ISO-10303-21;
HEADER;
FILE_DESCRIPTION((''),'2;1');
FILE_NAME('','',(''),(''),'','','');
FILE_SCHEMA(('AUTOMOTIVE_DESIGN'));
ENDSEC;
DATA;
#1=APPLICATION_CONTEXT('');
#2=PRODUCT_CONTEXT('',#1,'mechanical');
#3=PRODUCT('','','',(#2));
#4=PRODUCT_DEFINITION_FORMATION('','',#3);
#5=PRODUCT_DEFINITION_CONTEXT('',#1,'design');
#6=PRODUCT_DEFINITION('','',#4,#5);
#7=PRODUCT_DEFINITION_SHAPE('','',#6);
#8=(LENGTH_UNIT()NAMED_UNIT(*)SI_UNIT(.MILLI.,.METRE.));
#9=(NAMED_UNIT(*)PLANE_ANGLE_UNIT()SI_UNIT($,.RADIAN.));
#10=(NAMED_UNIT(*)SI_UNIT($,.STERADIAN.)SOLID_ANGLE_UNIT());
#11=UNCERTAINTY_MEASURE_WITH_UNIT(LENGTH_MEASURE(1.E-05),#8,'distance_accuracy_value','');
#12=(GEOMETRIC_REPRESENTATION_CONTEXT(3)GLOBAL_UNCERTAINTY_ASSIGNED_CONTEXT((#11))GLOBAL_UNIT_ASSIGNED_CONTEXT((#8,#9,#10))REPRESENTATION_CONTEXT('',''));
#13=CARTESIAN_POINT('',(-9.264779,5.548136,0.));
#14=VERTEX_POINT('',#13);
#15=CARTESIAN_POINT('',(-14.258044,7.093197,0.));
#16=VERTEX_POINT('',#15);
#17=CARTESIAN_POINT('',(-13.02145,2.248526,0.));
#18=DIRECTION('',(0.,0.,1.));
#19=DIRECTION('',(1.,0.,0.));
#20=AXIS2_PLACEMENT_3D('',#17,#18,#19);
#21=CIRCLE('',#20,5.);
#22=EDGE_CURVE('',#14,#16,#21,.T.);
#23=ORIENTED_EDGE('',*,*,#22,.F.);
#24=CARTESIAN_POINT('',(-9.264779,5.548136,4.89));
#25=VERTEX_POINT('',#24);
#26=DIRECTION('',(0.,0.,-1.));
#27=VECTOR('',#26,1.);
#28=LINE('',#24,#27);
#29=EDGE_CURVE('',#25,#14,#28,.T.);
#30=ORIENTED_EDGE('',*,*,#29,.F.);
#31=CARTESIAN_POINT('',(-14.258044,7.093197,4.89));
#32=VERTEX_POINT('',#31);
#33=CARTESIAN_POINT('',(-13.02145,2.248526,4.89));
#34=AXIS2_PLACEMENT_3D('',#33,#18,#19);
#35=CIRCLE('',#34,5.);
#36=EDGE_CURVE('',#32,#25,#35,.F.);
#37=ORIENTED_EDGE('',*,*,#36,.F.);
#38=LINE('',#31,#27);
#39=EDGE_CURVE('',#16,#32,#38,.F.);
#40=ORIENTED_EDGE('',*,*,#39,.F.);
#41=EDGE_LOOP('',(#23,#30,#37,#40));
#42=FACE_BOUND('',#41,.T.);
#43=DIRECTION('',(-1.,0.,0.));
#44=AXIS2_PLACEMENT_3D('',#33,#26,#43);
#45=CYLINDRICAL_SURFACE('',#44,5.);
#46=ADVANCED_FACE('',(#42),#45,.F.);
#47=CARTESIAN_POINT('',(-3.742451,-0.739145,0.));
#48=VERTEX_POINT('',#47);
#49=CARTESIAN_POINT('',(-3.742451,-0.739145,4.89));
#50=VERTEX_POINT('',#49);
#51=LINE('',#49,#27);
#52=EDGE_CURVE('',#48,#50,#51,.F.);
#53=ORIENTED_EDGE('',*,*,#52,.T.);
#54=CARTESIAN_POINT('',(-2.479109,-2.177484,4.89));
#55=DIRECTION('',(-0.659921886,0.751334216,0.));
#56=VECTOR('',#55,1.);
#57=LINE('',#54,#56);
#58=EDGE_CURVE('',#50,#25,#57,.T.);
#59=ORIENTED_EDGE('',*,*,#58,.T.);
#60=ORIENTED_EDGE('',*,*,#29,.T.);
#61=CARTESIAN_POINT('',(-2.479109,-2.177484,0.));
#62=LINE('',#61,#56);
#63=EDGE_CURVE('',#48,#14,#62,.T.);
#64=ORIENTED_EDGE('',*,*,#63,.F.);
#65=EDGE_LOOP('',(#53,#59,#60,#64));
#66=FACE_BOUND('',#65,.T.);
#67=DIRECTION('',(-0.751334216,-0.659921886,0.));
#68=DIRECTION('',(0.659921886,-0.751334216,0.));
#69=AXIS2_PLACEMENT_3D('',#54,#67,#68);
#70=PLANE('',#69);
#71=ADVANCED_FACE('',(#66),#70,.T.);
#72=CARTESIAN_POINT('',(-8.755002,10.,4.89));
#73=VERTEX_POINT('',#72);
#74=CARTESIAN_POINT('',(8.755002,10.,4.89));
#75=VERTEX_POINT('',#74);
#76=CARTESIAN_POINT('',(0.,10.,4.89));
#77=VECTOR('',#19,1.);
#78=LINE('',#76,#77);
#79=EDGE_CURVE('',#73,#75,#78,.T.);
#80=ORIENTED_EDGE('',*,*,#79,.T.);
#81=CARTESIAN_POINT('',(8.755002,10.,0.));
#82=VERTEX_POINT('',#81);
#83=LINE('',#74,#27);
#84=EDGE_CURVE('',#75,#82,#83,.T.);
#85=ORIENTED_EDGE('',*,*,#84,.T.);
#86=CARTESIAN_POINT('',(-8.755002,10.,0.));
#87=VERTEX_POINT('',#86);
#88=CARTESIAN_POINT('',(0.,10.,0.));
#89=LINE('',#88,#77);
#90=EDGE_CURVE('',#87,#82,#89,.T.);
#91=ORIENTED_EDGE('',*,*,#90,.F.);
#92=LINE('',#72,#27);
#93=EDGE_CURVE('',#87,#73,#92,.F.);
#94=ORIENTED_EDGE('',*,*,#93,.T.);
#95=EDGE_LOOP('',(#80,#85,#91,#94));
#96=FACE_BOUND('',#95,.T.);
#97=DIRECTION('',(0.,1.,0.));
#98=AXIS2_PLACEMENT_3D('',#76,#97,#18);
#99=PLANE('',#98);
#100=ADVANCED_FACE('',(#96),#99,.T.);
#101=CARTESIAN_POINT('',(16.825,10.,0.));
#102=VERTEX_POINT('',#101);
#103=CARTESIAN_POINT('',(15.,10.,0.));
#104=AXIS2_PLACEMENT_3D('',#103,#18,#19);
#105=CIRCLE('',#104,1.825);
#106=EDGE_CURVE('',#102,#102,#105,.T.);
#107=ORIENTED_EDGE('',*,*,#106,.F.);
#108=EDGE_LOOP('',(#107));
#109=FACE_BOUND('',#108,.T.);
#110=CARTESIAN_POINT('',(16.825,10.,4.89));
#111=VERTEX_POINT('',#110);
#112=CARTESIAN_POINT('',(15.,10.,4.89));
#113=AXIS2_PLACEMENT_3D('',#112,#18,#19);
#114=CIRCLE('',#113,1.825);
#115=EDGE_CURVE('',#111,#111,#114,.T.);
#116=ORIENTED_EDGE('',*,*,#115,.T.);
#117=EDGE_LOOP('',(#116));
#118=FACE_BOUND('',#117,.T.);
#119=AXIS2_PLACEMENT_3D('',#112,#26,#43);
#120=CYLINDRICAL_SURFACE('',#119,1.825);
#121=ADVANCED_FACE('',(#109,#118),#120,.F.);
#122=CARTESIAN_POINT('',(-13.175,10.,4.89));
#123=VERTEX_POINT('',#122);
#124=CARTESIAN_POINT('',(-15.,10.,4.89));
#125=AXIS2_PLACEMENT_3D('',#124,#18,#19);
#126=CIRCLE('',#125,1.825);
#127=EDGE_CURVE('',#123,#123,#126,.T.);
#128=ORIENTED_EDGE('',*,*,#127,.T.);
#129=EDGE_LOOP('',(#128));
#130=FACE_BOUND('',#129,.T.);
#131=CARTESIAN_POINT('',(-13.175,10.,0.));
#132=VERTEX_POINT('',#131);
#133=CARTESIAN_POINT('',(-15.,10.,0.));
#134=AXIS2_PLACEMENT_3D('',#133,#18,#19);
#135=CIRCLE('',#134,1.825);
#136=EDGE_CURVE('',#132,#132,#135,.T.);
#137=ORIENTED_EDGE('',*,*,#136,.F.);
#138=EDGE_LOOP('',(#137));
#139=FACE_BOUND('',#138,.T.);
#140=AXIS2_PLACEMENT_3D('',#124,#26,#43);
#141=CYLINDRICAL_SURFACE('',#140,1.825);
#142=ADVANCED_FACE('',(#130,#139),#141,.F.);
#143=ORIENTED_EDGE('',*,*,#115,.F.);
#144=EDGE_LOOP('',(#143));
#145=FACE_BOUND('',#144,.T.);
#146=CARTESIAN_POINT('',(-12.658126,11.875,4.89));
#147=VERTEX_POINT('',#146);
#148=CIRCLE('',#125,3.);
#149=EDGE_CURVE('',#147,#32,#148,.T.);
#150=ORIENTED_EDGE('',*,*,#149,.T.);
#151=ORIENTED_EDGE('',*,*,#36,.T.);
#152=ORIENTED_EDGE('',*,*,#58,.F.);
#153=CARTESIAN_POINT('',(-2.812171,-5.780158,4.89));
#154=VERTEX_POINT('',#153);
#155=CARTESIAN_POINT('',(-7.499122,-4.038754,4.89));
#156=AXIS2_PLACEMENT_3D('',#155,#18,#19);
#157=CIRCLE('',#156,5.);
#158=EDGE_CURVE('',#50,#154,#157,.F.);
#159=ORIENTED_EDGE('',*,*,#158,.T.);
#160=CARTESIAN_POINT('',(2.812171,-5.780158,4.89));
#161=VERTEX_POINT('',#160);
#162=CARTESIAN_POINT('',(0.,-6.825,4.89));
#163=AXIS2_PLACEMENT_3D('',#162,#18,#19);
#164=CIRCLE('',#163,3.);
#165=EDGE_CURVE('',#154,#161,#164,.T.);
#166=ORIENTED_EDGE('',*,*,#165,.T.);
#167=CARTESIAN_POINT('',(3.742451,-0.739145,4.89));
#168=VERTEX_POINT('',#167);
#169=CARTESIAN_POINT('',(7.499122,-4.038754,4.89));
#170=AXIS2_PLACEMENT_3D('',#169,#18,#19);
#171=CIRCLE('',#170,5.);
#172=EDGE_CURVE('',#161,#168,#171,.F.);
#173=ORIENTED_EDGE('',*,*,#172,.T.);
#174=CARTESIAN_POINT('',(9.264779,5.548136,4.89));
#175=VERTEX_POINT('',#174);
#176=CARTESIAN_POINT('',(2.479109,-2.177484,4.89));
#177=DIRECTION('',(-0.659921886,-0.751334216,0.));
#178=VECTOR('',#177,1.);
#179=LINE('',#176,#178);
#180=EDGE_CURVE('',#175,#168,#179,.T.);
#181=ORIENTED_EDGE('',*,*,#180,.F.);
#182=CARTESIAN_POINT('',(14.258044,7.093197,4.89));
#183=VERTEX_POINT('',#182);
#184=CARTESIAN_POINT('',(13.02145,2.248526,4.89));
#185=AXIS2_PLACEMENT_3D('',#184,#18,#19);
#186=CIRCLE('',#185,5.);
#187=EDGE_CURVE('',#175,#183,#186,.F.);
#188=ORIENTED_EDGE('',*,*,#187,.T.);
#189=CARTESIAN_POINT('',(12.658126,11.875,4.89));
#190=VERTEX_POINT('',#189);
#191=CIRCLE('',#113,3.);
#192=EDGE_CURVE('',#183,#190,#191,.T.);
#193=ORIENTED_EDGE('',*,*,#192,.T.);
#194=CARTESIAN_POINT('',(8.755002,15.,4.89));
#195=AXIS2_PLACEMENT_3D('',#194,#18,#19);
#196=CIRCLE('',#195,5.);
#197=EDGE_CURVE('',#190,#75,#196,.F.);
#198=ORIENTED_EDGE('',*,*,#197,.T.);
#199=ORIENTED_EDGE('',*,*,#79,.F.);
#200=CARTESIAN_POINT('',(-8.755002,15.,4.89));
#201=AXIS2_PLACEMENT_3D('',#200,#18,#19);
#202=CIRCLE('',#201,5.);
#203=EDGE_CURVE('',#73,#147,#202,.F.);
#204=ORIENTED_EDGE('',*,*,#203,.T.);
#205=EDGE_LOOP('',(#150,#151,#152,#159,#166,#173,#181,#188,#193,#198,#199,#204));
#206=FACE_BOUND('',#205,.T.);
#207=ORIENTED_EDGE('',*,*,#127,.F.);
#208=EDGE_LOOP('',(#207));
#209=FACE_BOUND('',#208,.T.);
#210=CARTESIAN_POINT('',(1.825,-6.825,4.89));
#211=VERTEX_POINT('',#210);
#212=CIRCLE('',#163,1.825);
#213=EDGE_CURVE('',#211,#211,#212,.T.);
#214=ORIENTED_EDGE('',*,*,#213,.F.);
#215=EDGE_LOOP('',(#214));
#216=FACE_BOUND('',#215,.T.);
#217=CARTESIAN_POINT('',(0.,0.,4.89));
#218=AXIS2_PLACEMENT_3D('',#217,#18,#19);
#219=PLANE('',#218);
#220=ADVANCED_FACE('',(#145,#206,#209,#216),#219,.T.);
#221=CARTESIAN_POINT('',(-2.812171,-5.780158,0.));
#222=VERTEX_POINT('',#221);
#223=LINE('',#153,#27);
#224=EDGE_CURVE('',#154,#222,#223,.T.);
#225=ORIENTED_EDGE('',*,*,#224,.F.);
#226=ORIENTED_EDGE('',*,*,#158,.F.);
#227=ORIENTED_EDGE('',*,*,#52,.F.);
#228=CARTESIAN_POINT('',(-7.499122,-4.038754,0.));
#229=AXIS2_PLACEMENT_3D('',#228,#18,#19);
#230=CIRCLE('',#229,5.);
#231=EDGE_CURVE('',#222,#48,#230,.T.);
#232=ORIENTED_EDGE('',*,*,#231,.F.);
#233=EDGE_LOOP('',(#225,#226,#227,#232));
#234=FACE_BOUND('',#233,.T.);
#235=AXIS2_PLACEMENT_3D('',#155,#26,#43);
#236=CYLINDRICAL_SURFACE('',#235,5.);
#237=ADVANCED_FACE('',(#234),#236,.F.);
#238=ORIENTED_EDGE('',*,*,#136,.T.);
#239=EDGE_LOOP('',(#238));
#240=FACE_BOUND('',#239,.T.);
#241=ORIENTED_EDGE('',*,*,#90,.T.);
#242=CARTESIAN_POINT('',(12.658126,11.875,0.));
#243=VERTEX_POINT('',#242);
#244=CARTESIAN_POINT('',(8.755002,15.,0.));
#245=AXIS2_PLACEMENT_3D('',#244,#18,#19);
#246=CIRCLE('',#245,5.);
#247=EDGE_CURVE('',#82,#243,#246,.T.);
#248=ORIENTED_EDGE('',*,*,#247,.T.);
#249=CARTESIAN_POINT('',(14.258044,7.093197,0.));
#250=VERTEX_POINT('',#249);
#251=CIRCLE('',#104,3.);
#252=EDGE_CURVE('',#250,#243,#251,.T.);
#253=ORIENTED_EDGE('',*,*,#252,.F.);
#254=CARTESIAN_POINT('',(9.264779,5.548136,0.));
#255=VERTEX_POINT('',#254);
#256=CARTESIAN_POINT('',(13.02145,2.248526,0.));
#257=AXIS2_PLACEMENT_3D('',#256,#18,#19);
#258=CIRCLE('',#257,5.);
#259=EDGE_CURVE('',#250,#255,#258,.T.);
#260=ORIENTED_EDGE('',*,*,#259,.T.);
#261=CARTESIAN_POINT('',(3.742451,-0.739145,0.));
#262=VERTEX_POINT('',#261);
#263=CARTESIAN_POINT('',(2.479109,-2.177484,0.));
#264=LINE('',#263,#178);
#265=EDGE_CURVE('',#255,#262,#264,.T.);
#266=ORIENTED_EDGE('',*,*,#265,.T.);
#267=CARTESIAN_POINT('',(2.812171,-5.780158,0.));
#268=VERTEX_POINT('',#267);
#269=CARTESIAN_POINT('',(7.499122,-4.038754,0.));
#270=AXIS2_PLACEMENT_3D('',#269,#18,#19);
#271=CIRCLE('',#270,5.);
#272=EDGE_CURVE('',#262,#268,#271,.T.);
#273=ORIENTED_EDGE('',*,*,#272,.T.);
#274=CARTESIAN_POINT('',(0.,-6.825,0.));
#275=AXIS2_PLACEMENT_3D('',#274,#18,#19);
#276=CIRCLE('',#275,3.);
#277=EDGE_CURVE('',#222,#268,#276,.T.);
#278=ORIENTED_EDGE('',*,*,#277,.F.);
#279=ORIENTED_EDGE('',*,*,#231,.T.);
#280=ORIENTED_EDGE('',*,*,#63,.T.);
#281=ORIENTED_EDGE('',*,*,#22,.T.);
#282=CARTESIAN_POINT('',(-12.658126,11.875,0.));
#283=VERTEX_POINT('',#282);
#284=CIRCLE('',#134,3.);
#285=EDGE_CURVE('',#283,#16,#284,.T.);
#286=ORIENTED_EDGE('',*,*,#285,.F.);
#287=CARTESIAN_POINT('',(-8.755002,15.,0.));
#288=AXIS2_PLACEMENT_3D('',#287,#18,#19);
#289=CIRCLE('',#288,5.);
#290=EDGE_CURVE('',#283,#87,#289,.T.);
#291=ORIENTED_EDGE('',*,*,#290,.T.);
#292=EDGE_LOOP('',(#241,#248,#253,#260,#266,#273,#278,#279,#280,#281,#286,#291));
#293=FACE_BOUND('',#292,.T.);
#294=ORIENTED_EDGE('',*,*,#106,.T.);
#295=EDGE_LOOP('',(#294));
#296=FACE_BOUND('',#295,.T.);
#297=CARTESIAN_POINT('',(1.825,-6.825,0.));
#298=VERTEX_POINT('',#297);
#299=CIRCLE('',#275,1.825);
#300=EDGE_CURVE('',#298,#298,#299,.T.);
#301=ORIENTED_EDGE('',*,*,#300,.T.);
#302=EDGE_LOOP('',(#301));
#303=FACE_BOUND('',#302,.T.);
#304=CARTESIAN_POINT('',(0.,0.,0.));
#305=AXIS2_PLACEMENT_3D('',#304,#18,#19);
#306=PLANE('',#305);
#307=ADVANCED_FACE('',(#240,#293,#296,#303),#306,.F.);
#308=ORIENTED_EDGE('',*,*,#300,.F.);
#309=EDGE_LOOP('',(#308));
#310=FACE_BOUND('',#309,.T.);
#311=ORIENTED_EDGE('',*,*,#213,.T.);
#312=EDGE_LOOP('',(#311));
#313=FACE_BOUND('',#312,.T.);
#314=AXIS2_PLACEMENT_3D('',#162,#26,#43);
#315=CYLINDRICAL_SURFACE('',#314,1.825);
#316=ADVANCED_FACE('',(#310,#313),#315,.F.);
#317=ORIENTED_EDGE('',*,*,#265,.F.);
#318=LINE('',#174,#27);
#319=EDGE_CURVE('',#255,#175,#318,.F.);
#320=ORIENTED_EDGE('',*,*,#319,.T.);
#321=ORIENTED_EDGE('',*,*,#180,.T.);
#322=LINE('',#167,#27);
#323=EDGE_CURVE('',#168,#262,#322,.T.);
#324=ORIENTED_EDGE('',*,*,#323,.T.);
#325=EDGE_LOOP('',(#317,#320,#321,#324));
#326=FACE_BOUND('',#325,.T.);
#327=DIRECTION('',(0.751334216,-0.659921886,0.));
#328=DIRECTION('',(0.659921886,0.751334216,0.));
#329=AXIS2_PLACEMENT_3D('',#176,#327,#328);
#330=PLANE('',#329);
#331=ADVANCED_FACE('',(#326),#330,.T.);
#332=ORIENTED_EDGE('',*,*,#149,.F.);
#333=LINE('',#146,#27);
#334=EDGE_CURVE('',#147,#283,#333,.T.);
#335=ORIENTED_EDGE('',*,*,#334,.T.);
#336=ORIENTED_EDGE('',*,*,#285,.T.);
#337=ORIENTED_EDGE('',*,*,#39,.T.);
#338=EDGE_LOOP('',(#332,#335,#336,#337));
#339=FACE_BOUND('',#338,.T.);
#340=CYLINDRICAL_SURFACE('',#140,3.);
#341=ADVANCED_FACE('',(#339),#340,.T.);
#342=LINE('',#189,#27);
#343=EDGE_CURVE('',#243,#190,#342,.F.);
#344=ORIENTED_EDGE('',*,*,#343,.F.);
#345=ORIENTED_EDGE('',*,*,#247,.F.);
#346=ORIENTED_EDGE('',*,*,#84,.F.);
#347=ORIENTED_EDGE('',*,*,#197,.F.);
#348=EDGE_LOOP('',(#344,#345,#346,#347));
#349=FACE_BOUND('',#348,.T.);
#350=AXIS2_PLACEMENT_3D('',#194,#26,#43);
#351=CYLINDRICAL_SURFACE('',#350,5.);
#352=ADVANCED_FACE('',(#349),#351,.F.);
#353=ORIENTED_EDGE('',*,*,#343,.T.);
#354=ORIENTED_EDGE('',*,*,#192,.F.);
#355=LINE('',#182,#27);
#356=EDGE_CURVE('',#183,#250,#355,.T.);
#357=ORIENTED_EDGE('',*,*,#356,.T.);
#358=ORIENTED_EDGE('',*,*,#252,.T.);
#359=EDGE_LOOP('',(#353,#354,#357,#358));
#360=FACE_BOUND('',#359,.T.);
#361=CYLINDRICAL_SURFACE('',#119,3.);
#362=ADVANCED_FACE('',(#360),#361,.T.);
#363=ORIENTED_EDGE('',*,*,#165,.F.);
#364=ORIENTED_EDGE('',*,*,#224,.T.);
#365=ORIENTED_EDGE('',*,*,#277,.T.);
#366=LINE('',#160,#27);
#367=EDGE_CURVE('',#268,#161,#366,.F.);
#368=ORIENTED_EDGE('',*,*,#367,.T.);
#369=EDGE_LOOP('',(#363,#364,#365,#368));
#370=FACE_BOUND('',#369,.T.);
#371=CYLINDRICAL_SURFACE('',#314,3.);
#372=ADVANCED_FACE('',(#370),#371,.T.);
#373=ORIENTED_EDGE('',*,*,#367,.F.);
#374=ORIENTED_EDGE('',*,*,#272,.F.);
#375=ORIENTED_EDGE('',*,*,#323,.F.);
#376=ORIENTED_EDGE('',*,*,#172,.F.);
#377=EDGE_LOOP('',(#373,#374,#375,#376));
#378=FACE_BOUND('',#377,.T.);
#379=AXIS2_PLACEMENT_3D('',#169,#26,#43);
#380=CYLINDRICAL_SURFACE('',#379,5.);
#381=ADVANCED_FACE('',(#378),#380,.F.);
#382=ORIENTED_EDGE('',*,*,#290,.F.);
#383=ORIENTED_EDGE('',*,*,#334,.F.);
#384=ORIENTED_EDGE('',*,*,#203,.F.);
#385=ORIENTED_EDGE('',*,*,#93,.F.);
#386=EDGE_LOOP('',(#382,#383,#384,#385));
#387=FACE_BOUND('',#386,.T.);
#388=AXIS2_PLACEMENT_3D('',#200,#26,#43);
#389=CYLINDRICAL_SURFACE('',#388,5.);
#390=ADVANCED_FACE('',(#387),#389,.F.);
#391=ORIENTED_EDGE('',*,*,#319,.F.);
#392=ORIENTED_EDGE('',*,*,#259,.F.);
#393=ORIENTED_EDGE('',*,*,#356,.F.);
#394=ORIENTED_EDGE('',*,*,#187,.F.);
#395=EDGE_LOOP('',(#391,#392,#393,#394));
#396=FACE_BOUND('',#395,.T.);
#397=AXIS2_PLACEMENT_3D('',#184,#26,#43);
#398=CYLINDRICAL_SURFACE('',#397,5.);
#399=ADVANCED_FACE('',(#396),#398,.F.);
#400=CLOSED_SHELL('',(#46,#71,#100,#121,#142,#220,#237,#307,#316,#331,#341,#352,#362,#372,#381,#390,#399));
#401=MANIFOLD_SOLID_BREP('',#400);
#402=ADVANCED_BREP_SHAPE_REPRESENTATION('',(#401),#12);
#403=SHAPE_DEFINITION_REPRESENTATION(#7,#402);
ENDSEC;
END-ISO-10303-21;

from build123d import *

# Parameters (mm, degrees)
ESQUISSE2_R        = 3
ESQUISSE2_R_2      = 1.825
BOSS_EXTRU_1_DEPTH = 4.89
CONG_1_R           = 5


with BuildPart() as part:
    # Esquisse2 → Boss.-Extru.1 (new body)
    # profile 1 of 4: a face of its own
    with BuildSketch(Plane.XY):
        with Locations((-15, 10)):
            Circle(ESQUISSE2_R)
        with Locations((-15, 10)):
            Circle(ESQUISSE2_R_2, mode=Mode.SUBTRACT)
    # profile 2 of 4: a face of its own
    with BuildSketch(Plane.XY):
        with Locations((15, 10)):
            Circle(ESQUISSE2_R)
        with Locations((15, 10)):
            Circle(ESQUISSE2_R_2, mode=Mode.SUBTRACT)
    # profile 3 of 4: a face of its own
    with BuildSketch(Plane.XY):
        with Locations((0, -6.825)):
            Circle(ESQUISSE2_R)
        with Locations((0, -6.825)):
            Circle(ESQUISSE2_R_2, mode=Mode.SUBTRACT)
    # profile 4 of 4: a face of its own
    with BuildSketch(Plane.XY):
        Polygon((-13.175, 10), (13.175, 10), (0, -5), align=None)
    extrude(amount=BOSS_EXTRU_1_DEPTH)

    # Congé1
    cong_1_edges = [part.edges().sort_by_distance(p)[0] for p in [
        (-12.208908932, 8.900086071, 2.445),
        (-12, 10, 2.445),
        (12, 10, 2.445),
        (12.208908932, 8.900086071, 2.445),
        (0.908352526, -3.965822551, 2.445),
        (-0.908352526, -3.965822551, 2.445),
    ]]
    fillet(cong_1_edges, radius=CONG_1_R)


solid = part.part
